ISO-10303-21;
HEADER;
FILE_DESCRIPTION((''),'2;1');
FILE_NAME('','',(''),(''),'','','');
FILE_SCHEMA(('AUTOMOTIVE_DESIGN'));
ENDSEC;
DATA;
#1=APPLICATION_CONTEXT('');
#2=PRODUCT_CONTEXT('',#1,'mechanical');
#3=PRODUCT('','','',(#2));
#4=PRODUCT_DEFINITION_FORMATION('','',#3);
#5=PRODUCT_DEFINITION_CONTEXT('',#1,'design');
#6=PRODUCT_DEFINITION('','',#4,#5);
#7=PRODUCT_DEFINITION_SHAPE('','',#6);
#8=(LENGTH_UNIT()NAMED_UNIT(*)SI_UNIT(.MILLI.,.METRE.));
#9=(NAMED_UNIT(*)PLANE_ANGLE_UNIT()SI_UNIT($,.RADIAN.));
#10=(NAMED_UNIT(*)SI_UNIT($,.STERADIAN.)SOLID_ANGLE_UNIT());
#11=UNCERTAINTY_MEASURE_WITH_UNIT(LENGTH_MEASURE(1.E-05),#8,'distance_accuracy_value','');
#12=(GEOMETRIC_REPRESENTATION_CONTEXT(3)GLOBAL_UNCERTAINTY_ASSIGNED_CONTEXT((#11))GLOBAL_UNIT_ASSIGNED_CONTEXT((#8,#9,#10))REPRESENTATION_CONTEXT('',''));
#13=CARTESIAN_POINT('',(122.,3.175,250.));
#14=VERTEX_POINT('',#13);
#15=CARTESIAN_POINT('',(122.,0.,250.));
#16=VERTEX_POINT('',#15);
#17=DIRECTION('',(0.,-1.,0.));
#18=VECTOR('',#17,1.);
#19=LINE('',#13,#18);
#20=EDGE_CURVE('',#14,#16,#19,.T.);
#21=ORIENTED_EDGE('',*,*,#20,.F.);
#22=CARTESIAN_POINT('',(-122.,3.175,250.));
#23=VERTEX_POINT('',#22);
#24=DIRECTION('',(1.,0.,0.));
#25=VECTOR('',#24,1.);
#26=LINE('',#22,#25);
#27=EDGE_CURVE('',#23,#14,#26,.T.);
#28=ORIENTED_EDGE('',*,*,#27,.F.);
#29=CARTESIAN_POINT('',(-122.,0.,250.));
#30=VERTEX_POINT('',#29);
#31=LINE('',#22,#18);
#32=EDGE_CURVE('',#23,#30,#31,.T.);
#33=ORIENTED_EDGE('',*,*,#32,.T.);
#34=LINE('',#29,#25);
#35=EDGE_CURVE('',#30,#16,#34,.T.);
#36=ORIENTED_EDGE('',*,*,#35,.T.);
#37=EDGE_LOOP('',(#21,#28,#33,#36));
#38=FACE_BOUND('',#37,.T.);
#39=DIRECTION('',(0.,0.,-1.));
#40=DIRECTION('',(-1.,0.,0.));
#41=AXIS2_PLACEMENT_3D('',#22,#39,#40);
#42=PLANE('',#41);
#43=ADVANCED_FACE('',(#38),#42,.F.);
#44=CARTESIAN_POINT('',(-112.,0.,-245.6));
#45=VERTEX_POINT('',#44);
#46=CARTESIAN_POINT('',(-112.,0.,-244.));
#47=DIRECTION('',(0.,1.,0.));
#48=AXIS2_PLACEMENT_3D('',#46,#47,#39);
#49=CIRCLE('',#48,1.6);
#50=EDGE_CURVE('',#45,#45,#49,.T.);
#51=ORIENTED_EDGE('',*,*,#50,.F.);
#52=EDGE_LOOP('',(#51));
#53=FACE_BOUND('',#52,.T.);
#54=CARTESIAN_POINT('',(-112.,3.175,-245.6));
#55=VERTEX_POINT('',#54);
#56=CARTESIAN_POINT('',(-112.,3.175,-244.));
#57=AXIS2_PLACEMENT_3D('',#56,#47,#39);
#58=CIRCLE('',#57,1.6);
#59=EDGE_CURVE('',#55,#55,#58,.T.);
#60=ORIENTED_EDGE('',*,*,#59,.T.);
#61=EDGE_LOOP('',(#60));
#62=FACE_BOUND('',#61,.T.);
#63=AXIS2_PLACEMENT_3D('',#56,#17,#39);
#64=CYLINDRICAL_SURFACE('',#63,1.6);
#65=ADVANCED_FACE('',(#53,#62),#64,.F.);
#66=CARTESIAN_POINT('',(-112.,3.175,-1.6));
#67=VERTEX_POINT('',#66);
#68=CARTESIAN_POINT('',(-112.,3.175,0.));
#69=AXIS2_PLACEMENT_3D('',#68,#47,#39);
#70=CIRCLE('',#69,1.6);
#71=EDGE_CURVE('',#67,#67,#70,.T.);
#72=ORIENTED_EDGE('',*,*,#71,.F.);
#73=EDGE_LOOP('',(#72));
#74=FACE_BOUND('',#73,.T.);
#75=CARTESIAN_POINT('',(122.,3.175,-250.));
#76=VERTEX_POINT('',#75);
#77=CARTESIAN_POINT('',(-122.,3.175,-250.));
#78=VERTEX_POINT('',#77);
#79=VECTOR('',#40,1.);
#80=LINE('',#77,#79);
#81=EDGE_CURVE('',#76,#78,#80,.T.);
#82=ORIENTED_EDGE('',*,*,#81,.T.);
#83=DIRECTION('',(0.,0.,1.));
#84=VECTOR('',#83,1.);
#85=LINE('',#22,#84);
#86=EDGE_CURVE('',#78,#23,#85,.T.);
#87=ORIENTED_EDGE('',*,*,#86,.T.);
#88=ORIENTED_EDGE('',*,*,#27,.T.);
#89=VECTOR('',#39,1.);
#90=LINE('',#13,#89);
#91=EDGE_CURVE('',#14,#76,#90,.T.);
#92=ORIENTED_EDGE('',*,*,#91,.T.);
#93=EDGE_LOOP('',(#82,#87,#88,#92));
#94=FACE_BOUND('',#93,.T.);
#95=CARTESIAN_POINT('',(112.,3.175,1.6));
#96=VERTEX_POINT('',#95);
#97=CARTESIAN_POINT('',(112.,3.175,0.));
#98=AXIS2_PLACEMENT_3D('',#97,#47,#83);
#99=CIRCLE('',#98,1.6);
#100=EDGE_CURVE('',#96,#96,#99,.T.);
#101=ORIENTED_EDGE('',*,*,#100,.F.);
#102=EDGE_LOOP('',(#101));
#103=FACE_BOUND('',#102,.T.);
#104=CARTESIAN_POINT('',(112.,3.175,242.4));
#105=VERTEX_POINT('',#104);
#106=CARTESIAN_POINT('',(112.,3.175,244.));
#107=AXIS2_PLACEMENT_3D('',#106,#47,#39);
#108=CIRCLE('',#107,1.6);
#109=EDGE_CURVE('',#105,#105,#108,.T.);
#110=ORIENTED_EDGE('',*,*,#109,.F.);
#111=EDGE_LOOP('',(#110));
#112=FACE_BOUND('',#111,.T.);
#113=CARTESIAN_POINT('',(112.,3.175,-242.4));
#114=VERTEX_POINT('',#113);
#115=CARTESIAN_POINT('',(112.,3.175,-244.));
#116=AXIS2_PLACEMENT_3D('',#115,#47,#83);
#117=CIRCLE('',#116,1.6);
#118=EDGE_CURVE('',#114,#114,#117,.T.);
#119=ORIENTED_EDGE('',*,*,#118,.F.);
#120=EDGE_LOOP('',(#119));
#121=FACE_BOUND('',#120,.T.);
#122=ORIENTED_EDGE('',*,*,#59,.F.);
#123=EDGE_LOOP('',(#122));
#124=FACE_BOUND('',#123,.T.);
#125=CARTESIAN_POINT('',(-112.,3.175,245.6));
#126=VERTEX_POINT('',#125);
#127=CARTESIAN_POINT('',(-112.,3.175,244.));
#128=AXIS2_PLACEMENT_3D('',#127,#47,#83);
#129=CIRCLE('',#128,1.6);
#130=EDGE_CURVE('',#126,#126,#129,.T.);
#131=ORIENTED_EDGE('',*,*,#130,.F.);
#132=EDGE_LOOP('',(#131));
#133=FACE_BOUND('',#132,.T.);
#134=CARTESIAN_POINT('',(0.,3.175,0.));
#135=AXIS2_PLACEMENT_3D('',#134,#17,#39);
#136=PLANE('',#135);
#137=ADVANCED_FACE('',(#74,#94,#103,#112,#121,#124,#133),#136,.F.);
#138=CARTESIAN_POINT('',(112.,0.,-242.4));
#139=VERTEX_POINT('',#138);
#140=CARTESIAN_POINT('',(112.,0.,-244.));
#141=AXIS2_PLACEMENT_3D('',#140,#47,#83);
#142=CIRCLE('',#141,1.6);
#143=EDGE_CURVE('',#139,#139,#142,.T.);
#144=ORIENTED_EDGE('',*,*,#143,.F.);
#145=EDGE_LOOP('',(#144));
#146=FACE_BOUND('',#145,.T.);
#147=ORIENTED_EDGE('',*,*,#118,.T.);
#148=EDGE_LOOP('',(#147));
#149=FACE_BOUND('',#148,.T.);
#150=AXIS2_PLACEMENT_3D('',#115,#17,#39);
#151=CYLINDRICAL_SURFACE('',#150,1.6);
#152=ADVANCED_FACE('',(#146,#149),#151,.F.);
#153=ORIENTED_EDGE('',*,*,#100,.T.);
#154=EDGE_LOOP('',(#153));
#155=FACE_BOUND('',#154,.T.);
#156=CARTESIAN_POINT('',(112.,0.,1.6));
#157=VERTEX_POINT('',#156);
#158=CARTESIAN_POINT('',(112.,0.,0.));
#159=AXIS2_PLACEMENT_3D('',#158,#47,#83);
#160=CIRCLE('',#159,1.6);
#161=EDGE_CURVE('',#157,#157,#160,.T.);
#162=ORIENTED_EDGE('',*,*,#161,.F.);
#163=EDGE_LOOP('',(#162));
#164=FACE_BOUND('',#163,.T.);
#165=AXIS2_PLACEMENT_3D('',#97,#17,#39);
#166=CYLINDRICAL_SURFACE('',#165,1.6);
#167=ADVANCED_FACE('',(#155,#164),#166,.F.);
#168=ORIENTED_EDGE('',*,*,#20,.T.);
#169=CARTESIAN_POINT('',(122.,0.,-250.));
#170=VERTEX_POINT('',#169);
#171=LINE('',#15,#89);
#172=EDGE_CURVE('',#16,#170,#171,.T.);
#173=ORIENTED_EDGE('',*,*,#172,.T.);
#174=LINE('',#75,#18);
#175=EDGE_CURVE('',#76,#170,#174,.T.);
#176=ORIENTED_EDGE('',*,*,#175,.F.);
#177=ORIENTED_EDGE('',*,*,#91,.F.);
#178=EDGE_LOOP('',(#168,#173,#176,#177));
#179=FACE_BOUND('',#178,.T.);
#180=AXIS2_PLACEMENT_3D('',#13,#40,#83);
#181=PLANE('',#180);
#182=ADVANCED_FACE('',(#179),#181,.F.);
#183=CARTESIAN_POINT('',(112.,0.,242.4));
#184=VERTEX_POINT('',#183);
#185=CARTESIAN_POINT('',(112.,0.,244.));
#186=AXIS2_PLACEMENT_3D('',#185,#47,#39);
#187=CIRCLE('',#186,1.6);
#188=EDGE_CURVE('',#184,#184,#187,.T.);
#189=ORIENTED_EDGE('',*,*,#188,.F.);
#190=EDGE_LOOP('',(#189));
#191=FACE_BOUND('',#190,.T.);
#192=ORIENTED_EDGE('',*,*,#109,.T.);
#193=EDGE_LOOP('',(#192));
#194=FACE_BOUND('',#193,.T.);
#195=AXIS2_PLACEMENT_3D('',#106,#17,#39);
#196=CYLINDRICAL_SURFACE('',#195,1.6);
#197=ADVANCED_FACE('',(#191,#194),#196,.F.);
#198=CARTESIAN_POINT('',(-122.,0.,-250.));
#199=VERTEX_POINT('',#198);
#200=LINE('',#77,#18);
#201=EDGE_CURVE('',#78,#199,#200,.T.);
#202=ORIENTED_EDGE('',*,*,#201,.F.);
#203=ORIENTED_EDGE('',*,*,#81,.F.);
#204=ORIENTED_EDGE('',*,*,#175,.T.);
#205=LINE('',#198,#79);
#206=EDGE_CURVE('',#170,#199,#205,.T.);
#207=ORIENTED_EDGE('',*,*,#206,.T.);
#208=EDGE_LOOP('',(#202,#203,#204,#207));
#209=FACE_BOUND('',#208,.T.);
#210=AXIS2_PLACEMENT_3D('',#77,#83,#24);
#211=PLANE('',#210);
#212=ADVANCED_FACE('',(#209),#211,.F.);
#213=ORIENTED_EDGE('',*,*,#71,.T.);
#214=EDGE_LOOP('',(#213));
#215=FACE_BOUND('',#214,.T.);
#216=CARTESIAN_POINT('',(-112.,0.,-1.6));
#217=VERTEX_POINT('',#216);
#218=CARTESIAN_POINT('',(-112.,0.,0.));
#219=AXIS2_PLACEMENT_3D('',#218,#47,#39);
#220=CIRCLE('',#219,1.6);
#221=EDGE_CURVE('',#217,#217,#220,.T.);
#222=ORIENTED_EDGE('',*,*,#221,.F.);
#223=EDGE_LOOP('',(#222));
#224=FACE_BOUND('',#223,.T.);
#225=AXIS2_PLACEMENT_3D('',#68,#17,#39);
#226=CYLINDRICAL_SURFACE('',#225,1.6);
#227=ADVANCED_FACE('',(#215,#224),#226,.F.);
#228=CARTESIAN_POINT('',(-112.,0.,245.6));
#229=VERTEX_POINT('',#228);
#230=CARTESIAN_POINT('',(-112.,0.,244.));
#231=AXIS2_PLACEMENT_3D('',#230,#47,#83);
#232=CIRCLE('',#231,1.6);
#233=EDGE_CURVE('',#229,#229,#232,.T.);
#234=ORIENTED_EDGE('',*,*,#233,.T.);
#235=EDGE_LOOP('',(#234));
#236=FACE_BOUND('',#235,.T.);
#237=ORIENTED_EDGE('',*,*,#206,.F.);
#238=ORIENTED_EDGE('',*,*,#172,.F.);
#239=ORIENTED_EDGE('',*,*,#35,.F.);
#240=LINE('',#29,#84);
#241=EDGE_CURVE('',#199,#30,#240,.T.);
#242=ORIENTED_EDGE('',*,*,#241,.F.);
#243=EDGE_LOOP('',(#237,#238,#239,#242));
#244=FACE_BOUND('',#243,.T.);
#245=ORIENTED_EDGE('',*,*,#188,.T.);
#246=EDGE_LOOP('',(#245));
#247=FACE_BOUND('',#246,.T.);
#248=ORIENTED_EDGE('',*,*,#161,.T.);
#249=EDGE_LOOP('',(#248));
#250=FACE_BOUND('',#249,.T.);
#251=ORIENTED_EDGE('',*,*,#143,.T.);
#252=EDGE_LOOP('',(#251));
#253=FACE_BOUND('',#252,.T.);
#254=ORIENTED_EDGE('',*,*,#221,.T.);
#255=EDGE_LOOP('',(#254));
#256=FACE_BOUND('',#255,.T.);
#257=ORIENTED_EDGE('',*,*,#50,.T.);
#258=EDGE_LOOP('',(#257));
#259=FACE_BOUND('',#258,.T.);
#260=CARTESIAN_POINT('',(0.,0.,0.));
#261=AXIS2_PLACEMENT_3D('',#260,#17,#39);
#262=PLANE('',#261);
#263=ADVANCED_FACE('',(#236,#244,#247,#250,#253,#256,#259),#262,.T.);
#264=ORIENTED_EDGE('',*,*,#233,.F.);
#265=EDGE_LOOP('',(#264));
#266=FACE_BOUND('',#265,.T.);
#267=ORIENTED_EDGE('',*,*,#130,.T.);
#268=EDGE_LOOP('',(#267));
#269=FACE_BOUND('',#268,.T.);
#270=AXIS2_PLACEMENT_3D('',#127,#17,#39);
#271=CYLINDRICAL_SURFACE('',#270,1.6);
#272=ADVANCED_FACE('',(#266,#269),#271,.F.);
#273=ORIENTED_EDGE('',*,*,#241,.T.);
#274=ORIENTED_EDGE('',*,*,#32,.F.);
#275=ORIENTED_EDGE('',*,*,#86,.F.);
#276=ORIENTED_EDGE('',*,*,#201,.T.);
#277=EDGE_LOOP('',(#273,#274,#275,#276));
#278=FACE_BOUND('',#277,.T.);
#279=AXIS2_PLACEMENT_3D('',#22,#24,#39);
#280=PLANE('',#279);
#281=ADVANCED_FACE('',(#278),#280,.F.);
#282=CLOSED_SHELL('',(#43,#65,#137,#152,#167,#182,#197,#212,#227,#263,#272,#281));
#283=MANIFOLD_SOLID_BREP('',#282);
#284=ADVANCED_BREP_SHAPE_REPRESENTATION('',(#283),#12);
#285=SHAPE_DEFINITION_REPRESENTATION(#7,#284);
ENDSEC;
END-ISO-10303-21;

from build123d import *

# Parameters (mm, degrees)
SKETCH1_W           = 244
SKETCH1_H           = 500
SKETCH1_R           = 1.6
BOSS_EXTRUDE1_DEPTH = 3.175


with BuildPart() as part:
    # Sketch1 → Boss-Extrude1 (new body)
    with BuildSketch(Plane(origin=(0, 0, 0), x_dir=(1, 0, 0), z_dir=(0, 1, 0))):
        Rectangle(SKETCH1_W, SKETCH1_H)
        with Locations(Location((112, 244, 0), (0, 0, 270))):
            Circle(SKETCH1_R, mode=Mode.SUBTRACT)
        with Locations(Location((112, 0, 0), (0, 0, 270))):
            Circle(SKETCH1_R, mode=Mode.SUBTRACT)
        with Locations(Location((112, -244, 0), (0, 0, 90))):
            Circle(SKETCH1_R, mode=Mode.SUBTRACT)
        with Locations(Location((-112, -244, 0), (0, 0, 270))):
            Circle(SKETCH1_R, mode=Mode.SUBTRACT)
        with Locations(Location((-112, 0, 0), (0, 0, 90))):
            Circle(SKETCH1_R, mode=Mode.SUBTRACT)
        with Locations(Location((-112, 244, 0), (0, 0, 90))):
            Circle(SKETCH1_R, mode=Mode.SUBTRACT)
    extrude(amount=BOSS_EXTRUDE1_DEPTH)


solid = part.part
